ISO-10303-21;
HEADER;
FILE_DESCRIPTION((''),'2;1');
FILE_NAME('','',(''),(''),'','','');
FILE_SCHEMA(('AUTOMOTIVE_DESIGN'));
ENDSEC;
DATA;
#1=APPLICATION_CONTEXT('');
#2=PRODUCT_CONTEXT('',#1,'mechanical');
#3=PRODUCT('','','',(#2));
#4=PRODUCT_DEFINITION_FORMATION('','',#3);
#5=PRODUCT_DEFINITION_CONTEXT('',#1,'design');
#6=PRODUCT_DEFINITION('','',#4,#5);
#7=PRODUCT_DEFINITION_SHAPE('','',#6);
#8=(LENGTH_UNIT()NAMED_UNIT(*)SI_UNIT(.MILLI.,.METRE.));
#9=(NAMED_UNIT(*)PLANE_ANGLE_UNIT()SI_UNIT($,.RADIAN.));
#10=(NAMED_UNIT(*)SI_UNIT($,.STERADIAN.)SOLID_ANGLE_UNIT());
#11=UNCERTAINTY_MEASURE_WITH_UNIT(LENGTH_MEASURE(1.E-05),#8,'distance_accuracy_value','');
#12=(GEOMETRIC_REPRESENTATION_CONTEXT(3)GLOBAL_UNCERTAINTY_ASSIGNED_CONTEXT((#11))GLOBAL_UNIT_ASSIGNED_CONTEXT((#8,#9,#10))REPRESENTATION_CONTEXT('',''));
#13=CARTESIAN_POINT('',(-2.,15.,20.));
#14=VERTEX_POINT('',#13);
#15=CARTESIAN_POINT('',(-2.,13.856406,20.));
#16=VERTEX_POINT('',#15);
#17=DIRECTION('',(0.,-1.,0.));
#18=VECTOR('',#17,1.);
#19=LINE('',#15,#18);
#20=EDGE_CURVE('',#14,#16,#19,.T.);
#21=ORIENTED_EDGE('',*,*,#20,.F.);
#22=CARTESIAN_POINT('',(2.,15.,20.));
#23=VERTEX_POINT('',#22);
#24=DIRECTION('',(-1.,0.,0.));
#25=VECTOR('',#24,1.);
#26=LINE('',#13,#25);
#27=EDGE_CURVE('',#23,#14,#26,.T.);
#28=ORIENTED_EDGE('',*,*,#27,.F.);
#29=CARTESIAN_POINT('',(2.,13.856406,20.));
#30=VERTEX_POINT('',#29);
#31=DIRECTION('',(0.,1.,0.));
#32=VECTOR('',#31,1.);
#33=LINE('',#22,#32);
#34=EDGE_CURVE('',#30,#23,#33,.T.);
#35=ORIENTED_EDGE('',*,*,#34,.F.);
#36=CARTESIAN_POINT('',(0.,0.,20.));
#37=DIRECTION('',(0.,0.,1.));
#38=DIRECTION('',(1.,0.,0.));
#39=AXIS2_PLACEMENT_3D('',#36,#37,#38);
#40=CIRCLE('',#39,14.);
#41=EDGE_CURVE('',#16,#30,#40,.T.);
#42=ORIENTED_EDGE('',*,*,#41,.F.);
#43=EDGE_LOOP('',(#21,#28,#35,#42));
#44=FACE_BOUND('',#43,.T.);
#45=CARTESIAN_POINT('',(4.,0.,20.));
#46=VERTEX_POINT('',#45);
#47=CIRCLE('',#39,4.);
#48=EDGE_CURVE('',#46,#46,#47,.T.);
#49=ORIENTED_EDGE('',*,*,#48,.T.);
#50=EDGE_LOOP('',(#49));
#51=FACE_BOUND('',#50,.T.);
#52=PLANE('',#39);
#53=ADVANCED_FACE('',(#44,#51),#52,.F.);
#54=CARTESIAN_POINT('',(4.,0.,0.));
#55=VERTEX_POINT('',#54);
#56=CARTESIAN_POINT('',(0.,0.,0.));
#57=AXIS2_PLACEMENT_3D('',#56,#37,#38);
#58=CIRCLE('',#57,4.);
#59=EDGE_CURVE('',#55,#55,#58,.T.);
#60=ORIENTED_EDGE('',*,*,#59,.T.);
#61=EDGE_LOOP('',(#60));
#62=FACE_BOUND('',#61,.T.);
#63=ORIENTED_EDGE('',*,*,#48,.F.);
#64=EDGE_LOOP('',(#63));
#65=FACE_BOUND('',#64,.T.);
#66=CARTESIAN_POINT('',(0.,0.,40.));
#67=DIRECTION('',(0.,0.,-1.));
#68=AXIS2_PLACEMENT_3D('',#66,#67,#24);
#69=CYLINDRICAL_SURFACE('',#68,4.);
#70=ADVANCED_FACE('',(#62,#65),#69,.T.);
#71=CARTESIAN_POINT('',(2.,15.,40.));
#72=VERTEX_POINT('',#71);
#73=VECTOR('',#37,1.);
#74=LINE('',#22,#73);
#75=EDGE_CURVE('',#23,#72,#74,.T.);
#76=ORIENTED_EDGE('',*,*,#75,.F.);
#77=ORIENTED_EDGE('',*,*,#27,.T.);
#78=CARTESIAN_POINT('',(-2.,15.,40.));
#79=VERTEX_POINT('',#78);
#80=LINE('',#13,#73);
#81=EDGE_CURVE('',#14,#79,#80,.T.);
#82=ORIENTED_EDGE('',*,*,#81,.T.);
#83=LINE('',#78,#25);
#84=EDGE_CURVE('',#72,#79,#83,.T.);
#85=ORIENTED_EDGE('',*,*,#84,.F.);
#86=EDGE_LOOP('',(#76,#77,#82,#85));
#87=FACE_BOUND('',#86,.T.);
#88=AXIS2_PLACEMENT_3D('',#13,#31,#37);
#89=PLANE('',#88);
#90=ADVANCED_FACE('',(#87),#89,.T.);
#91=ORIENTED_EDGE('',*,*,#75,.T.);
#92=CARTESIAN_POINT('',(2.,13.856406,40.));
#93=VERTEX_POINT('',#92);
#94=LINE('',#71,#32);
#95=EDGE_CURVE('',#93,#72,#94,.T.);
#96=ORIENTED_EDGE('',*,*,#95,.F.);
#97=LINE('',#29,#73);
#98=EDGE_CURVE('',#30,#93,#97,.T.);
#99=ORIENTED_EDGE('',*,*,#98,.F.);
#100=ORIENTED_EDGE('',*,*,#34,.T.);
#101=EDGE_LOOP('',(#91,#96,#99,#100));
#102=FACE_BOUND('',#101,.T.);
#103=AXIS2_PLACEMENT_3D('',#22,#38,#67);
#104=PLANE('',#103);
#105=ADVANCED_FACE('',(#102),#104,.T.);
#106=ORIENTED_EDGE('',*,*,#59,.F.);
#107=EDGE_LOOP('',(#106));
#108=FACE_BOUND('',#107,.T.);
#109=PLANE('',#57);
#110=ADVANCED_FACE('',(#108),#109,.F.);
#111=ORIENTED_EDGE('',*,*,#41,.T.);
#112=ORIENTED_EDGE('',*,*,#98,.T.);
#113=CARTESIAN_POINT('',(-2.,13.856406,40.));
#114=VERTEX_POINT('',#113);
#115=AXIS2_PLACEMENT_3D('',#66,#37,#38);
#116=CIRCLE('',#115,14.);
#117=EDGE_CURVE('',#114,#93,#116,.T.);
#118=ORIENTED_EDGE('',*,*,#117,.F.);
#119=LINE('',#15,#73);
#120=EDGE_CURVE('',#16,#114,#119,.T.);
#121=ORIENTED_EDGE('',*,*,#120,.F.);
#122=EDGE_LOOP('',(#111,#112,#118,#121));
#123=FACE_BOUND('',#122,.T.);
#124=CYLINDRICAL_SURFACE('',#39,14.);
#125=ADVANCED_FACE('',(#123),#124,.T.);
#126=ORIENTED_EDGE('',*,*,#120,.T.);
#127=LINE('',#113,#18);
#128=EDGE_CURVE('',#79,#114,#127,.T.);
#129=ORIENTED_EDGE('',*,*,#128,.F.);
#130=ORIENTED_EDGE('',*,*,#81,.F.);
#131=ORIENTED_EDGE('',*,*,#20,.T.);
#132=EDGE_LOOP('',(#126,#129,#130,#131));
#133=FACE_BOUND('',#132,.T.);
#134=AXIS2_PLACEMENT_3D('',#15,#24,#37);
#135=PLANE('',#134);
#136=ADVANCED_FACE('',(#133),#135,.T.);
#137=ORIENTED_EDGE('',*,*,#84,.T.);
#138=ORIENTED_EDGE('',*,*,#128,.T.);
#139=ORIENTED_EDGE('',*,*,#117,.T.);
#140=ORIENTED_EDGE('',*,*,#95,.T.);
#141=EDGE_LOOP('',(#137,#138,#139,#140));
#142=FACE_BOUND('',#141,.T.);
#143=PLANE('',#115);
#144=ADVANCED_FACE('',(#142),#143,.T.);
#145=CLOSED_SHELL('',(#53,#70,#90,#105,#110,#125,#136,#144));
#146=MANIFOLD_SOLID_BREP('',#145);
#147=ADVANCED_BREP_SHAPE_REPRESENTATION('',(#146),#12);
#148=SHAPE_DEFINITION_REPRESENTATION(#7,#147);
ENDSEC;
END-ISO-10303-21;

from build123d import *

# Parameters (mm, degrees)
SKETCH1_R           = 4
BOSS_EXTRUDE1_DEPTH = 40
BOSS_EXTRUDE2_DEPTH = 20


with BuildPart() as part:
    # Sketch1 → Boss-Extrude1 (new body)
    with BuildSketch(Plane.XY):
        Circle(SKETCH1_R)
    extrude(amount=BOSS_EXTRUDE1_DEPTH)

    # Sketch2 → Boss-Extrude2 (add)
    with BuildSketch(Plane.XY.offset(40)):
        with BuildLine():
            Line((-2, 13.856406461), (-2, 15))
            Line((-2, 15), (2, 15))
            Line((2, 15), (2, 13.856406461))
            ThreePointArc((2, 13.856406461), (0, -14), (-2, 13.856406461))
        make_face()
    extrude(amount=-BOSS_EXTRUDE2_DEPTH)


solid = part.part
